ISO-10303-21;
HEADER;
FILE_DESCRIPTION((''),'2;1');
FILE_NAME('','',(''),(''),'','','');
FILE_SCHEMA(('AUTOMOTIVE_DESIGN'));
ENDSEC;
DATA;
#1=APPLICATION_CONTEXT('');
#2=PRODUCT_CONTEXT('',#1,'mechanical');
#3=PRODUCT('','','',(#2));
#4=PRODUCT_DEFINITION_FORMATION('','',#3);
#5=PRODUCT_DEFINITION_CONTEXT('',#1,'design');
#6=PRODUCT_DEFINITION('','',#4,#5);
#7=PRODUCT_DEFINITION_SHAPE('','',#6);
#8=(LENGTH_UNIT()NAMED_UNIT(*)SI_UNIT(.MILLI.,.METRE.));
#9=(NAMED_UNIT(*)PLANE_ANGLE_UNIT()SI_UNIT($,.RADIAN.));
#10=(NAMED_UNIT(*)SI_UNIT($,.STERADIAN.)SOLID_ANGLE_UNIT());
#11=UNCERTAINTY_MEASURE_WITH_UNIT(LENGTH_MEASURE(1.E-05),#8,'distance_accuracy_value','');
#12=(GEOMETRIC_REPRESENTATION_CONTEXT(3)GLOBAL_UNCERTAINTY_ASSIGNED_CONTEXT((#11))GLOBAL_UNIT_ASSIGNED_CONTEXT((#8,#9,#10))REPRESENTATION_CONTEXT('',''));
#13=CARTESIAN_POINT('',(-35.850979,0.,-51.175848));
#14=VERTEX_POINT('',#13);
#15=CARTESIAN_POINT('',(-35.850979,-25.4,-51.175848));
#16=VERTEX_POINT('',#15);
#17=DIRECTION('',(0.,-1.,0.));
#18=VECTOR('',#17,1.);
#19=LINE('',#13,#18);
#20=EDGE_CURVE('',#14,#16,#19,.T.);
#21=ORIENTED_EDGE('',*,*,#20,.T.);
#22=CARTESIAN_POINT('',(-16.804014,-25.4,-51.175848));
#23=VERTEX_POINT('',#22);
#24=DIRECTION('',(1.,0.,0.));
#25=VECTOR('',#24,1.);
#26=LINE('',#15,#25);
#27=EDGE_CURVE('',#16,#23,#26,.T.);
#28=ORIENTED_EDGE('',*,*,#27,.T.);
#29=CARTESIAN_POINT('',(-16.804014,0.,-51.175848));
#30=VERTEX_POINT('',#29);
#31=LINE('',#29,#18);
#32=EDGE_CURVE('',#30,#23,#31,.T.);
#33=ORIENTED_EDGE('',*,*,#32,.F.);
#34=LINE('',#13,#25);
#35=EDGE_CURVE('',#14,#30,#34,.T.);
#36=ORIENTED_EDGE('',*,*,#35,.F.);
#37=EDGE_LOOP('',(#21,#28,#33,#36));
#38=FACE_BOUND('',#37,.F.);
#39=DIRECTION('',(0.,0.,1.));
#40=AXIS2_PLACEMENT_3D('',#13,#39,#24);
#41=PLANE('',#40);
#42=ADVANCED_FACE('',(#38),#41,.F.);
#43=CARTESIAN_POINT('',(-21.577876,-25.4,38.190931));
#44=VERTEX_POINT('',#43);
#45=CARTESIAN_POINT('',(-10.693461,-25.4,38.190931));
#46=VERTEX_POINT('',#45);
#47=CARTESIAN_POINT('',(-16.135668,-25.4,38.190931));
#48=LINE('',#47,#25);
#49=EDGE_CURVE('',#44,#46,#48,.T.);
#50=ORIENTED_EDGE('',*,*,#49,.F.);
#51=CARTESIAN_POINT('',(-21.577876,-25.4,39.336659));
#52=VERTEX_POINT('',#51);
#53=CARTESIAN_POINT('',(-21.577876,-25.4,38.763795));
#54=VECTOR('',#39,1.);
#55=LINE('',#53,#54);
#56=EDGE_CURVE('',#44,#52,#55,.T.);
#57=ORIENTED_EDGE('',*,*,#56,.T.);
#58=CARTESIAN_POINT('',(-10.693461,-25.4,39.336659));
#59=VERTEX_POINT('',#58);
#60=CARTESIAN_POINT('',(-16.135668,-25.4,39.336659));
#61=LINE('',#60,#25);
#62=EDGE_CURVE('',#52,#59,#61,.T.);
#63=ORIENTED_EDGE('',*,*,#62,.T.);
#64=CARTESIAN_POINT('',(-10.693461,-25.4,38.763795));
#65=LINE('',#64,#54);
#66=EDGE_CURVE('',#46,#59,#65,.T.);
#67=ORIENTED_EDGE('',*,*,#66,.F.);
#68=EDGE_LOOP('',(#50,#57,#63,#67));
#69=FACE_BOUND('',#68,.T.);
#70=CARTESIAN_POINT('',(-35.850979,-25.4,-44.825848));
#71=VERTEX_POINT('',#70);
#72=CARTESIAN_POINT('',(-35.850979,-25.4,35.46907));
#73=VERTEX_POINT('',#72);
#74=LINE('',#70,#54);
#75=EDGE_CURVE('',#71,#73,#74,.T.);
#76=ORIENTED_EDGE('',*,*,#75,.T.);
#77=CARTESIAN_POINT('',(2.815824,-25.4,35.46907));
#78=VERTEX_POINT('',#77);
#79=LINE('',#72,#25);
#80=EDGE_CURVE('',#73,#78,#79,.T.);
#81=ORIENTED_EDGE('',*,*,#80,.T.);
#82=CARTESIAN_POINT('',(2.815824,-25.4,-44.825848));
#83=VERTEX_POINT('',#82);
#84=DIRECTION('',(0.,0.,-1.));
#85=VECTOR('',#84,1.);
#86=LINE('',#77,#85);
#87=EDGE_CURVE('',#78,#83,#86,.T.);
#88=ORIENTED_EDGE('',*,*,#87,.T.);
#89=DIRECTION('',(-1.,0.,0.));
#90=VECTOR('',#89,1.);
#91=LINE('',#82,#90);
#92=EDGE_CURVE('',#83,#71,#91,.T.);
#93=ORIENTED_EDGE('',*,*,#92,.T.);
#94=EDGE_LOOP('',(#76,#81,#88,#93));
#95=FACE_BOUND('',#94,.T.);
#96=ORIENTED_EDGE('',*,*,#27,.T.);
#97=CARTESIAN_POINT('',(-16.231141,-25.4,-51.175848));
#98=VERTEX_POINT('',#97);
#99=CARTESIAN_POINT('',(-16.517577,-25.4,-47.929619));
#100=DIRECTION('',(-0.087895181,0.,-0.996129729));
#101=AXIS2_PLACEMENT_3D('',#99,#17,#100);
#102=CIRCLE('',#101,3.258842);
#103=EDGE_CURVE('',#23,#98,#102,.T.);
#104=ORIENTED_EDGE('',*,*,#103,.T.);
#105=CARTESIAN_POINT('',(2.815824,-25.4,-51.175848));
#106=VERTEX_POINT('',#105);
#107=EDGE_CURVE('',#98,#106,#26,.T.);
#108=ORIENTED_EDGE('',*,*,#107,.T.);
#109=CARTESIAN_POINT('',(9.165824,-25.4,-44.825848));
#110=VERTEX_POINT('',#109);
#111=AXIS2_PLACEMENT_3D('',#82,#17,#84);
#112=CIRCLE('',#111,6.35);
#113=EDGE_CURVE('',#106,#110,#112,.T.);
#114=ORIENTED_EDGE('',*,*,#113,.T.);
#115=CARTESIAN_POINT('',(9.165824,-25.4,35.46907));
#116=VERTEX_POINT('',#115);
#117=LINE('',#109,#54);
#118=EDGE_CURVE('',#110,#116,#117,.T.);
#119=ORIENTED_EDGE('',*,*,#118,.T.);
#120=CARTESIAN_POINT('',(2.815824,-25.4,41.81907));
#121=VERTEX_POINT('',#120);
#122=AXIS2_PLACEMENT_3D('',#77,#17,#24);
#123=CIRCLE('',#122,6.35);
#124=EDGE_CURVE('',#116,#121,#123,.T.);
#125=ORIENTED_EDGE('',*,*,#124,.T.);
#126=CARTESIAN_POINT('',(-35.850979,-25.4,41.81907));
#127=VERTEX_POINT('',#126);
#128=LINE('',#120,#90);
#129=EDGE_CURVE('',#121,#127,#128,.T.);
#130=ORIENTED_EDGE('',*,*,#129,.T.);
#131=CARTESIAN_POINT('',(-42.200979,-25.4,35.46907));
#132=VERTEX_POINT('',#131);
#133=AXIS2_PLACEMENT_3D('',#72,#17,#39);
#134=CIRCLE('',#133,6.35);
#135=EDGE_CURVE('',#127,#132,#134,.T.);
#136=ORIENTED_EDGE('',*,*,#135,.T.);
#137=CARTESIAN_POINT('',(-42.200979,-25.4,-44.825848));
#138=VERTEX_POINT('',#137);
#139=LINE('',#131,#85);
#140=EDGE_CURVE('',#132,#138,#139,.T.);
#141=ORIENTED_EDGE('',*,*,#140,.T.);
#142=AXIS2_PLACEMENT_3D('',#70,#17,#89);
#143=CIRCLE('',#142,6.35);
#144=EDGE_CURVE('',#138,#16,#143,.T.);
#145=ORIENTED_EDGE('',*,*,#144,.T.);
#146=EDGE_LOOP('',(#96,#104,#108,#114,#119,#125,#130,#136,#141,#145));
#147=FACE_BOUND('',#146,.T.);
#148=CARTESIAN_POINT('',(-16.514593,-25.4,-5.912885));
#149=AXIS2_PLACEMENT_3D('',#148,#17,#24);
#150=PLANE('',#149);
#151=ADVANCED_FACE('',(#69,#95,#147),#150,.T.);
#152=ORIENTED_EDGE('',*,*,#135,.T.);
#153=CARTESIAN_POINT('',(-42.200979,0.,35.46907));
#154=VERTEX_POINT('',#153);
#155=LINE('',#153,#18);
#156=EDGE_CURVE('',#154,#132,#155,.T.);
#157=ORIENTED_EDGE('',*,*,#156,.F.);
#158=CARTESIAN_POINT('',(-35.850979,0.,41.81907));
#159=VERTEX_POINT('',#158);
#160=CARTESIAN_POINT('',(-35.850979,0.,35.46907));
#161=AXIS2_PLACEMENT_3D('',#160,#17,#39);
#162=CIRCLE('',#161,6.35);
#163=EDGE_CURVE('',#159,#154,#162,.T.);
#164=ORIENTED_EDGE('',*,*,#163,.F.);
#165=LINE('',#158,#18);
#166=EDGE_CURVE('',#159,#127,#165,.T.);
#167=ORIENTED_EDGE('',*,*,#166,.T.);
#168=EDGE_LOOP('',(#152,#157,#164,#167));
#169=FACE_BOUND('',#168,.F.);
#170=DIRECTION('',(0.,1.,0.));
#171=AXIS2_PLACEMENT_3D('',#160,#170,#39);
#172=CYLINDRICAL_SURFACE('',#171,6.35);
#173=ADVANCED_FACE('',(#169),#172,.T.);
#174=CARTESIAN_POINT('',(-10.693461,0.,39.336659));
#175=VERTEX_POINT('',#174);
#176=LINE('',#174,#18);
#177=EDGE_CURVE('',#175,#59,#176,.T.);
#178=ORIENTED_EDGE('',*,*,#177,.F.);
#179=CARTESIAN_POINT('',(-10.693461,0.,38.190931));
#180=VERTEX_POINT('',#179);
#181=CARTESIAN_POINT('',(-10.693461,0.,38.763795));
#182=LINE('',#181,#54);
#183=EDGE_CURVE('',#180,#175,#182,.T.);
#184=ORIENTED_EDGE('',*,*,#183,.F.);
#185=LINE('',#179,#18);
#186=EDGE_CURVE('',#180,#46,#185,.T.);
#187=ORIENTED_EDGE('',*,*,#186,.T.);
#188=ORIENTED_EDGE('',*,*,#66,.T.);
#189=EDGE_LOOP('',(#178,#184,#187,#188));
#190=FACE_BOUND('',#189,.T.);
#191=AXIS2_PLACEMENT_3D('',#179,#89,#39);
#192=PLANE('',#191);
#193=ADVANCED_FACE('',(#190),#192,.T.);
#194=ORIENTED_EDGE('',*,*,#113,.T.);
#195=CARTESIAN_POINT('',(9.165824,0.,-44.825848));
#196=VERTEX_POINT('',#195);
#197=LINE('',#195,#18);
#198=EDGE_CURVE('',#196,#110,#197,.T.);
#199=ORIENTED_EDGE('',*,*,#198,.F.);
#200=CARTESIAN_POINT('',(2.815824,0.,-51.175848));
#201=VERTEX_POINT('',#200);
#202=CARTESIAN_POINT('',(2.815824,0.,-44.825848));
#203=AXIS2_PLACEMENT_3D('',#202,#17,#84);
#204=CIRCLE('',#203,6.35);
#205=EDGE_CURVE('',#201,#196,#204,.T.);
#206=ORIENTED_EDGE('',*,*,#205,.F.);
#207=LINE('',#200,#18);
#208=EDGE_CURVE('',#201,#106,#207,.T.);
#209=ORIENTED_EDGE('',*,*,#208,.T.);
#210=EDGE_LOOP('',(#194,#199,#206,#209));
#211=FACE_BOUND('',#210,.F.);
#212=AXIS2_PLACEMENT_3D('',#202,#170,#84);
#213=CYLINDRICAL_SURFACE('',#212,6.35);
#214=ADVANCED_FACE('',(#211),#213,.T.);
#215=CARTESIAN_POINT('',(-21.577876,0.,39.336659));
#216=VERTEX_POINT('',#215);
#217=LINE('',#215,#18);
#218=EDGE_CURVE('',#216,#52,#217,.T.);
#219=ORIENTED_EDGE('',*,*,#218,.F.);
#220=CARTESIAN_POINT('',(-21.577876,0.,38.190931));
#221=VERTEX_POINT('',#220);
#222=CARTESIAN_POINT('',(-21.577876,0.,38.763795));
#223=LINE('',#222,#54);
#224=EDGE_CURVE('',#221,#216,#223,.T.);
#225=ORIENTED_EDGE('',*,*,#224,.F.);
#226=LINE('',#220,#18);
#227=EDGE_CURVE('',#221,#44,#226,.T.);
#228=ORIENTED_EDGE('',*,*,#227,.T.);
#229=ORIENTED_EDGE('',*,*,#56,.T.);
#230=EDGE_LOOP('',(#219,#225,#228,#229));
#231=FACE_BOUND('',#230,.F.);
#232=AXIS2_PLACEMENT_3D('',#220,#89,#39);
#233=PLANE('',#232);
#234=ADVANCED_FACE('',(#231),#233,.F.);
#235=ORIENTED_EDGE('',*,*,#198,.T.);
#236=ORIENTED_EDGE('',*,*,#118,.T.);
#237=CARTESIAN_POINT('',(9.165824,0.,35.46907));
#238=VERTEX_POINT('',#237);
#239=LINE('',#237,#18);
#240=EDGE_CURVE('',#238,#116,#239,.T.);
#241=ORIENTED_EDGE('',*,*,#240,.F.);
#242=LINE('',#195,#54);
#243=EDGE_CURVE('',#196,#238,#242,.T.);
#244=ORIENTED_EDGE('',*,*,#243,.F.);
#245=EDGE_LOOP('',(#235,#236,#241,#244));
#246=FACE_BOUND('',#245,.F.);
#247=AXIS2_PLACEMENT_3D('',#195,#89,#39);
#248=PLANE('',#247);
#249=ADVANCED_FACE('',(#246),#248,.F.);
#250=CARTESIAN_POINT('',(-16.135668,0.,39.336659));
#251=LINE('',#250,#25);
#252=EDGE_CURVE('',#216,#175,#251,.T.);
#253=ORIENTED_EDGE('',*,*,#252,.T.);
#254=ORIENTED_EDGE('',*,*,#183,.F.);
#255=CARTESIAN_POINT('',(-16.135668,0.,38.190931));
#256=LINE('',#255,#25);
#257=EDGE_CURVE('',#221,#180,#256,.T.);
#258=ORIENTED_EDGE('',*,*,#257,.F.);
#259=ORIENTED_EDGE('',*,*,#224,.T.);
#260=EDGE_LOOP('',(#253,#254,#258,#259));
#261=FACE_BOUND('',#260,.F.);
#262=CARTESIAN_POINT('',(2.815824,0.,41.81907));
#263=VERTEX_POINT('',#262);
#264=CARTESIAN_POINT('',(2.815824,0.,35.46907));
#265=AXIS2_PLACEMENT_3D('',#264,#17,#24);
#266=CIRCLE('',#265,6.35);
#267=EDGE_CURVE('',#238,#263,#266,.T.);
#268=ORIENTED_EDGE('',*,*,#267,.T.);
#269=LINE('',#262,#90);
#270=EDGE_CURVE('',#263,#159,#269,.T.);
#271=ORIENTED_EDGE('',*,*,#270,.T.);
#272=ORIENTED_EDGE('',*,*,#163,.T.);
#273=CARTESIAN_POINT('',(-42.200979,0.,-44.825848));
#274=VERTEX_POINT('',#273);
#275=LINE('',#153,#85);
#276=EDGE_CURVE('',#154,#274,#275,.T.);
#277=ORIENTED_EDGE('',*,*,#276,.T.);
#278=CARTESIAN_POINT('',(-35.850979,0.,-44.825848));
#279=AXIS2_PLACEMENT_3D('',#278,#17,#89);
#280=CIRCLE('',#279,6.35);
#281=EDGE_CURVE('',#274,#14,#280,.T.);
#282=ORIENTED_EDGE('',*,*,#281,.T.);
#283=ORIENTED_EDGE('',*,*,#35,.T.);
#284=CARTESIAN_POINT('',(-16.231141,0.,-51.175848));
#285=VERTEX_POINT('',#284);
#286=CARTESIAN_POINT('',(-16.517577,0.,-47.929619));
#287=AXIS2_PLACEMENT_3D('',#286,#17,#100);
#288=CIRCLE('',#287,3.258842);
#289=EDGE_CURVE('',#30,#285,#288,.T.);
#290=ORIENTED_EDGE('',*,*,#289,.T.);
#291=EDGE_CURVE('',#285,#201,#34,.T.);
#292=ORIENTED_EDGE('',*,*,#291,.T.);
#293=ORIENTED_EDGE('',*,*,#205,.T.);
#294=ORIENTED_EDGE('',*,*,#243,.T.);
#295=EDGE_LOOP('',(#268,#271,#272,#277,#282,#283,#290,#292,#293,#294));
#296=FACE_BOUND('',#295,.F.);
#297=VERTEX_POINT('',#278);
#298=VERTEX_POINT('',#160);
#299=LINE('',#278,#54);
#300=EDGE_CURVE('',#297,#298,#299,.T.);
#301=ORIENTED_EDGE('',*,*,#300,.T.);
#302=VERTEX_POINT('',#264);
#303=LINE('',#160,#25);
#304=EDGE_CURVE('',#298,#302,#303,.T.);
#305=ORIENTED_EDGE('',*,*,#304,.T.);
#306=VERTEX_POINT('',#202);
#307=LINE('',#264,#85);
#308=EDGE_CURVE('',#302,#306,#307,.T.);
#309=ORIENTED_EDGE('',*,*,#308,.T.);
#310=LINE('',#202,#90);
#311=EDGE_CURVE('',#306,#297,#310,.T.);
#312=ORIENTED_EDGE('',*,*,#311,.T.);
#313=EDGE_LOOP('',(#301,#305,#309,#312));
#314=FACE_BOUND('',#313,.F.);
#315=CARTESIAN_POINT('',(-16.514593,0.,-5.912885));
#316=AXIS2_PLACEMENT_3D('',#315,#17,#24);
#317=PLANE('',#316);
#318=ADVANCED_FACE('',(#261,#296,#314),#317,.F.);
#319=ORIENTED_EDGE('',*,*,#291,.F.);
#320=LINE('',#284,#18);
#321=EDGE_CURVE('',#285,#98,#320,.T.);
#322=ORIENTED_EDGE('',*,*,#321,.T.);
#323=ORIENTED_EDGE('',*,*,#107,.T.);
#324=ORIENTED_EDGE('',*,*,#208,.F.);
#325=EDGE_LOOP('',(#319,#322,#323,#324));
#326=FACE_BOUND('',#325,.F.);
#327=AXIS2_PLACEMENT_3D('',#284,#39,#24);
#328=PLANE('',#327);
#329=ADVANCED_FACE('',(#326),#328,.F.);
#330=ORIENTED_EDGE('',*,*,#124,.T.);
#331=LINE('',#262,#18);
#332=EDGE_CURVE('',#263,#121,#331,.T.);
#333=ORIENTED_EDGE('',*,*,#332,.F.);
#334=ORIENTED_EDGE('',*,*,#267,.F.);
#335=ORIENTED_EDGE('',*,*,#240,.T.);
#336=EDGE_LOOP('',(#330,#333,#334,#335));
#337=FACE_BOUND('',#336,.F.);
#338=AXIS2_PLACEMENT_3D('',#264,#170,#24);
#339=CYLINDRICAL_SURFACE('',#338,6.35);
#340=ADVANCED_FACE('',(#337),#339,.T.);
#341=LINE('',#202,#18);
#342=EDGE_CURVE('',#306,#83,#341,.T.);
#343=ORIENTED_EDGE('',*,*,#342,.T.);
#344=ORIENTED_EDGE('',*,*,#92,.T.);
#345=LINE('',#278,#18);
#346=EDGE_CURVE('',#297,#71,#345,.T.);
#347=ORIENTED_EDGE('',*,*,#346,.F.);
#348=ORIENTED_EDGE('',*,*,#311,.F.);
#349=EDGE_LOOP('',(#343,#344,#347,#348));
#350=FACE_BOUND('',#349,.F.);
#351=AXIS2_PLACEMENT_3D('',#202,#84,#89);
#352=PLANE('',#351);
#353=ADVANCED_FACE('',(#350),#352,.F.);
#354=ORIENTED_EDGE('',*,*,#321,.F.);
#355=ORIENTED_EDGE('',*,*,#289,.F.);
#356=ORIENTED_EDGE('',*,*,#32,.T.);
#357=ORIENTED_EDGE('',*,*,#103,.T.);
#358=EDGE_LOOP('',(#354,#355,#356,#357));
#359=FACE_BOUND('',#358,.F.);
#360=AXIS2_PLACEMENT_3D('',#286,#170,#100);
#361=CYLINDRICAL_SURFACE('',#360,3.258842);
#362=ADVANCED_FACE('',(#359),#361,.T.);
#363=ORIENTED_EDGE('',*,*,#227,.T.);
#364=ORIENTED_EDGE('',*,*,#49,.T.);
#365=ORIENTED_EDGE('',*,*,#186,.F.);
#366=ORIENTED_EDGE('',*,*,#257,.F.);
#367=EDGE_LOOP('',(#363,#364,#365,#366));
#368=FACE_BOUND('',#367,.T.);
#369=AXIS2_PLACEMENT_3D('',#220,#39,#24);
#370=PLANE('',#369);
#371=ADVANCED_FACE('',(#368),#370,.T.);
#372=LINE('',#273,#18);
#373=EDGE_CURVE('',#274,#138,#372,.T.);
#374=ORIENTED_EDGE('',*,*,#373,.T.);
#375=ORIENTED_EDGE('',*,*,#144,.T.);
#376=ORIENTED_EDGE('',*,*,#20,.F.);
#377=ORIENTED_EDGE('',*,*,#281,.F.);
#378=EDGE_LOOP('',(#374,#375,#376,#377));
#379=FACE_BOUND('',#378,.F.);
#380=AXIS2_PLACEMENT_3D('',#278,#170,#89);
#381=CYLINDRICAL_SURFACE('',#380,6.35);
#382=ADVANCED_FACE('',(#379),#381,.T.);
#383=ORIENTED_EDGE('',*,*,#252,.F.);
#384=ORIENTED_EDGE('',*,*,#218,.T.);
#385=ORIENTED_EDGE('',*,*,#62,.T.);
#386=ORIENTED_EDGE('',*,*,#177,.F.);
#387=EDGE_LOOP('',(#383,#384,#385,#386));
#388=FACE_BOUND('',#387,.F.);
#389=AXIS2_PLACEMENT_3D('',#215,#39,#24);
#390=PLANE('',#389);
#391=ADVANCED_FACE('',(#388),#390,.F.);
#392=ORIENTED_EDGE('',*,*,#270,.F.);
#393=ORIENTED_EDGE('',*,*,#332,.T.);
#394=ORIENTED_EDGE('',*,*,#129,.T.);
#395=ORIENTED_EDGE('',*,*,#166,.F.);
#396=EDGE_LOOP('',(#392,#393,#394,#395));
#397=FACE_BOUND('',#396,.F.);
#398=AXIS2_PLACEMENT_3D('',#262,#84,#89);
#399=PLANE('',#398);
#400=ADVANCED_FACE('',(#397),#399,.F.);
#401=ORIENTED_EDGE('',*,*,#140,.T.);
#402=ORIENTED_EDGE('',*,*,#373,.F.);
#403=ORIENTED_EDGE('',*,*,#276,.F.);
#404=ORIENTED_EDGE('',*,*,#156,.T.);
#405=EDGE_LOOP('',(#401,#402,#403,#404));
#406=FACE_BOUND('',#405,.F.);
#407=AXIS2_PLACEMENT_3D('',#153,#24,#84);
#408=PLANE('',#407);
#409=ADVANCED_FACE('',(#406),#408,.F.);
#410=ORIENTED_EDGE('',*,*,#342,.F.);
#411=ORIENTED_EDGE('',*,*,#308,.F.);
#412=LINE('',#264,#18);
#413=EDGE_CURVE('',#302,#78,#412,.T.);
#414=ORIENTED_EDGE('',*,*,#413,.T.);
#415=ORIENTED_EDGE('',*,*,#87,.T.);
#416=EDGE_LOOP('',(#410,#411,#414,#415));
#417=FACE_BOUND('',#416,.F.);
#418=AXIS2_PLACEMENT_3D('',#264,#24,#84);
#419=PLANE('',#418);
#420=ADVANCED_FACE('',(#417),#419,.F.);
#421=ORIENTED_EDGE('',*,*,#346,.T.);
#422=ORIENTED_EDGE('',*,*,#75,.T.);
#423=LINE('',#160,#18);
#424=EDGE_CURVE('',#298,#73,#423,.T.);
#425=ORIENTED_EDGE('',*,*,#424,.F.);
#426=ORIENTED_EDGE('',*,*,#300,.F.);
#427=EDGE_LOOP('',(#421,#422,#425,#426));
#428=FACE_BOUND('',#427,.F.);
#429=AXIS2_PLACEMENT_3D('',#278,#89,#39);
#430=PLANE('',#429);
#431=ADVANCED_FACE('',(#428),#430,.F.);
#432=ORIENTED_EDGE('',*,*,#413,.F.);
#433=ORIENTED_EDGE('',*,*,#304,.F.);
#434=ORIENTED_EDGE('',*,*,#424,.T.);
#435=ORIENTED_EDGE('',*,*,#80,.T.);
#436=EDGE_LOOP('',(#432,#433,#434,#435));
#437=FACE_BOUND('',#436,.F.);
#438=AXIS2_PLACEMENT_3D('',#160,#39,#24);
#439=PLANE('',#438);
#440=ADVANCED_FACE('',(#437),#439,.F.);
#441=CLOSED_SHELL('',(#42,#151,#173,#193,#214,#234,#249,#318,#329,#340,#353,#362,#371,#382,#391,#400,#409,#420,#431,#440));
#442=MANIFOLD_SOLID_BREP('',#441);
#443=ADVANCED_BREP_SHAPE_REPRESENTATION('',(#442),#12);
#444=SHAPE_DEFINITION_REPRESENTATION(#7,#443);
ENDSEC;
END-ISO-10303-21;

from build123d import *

# Parameters (mm, degrees)
F0_W     = 10.8844153583
F0_H     = 1.1457279325
F1_DEPTH = 25.4


with BuildPart() as f1:
    # F0 (on Front) → F1 (new body)
    with BuildSketch(Plane.XZ):
        with BuildLine():
            Line((2.8158243909, 41.8190695345), (-35.8509788454, 41.8190695345))
            ThreePointArc((-35.8509788454, 41.8190695345), (-40.3411069059, 39.9591975951), (-42.2009788454, 35.4690695345))
            Line((-42.2009788454, 35.4690695345), (-42.2009788454, -44.8258476496))
            ThreePointArc((-42.2009788454, -44.8258476496), (-40.3411069059, -49.3159757101), (-35.8509788454, -51.1758476496))
            Line((-35.8509788454, -51.1758476496), (-16.8040137117, -51.1758476496))
            ThreePointArc((-16.8040137117, -51.1758476496), (-19.7564134277, -48.2901591682), (-17.5108828007, -44.8258476496))
            Line((-17.5108828007, -44.8258476496), (-35.8509788454, -44.8258476496))
            Line((-35.8509788454, -44.8258476496), (-35.8509788454, 35.4690695345))
            Line((-35.8509788454, 35.4690695345), (2.8158243909, 35.4690695345))
            Line((2.8158243909, 35.4690695345), (2.8158243909, -44.8258476496))
            Line((2.8158243909, -44.8258476496), (-15.5242716537, -44.8258476496))
            ThreePointArc((-15.5242716537, -44.8258476496), (-13.8853656886, -46.0082877402), (-13.2587354849, -47.9296185076))
            ThreePointArc((-13.2587354849, -47.9296185076), (-14.114090107, -50.1303681901), (-16.2311407427, -51.1758476496))
            Line((-16.2311407427, -51.1758476496), (2.8158243909, -51.1758476496))
            ThreePointArc((2.8158243909, -51.1758476496), (7.3059524515, -49.3159757101), (9.1658243909, -44.8258476496))
            Line((9.1658243909, -44.8258476496), (9.1658243909, 35.4690695345))
            ThreePointArc((9.1658243909, 35.4690695345), (7.3059524515, 39.9591975951), (2.8158243909, 41.8190695345))
        make_face()
        with Locations((-16.135668382, 38.763795048)):
            Rectangle(F0_W, F0_H, mode=Mode.SUBTRACT)
        with BuildLine():
            ThreePointArc((-17.5108828007, -44.8258476496), (-19.7564134277, -48.2901591682), (-16.8040137117, -51.1758476496))
            Line((-16.8040137117, -51.1758476496), (-16.2311407427, -51.1758476496))
            ThreePointArc((-16.2311407427, -51.1758476496), (-14.114090107, -50.1303681901), (-13.2587354849, -47.9296185076))
            ThreePointArc((-13.2587354849, -47.9296185076), (-13.8853656886, -46.0082877402), (-15.5242716537, -44.8258476496))
            Line((-15.5242716537, -44.8258476496), (-17.5108828007, -44.8258476496))
        make_face()
        with BuildLine():
            Line((-16.2311407427, -51.1758476496), (-16.8040137117, -51.1758476496))
            ThreePointArc((-16.8040137117, -51.1758476496), (-16.5175772272, -51.18846025), (-16.2311407427, -51.1758476496))
        make_face()
    extrude(amount=F1_DEPTH)


solid = f1.part
